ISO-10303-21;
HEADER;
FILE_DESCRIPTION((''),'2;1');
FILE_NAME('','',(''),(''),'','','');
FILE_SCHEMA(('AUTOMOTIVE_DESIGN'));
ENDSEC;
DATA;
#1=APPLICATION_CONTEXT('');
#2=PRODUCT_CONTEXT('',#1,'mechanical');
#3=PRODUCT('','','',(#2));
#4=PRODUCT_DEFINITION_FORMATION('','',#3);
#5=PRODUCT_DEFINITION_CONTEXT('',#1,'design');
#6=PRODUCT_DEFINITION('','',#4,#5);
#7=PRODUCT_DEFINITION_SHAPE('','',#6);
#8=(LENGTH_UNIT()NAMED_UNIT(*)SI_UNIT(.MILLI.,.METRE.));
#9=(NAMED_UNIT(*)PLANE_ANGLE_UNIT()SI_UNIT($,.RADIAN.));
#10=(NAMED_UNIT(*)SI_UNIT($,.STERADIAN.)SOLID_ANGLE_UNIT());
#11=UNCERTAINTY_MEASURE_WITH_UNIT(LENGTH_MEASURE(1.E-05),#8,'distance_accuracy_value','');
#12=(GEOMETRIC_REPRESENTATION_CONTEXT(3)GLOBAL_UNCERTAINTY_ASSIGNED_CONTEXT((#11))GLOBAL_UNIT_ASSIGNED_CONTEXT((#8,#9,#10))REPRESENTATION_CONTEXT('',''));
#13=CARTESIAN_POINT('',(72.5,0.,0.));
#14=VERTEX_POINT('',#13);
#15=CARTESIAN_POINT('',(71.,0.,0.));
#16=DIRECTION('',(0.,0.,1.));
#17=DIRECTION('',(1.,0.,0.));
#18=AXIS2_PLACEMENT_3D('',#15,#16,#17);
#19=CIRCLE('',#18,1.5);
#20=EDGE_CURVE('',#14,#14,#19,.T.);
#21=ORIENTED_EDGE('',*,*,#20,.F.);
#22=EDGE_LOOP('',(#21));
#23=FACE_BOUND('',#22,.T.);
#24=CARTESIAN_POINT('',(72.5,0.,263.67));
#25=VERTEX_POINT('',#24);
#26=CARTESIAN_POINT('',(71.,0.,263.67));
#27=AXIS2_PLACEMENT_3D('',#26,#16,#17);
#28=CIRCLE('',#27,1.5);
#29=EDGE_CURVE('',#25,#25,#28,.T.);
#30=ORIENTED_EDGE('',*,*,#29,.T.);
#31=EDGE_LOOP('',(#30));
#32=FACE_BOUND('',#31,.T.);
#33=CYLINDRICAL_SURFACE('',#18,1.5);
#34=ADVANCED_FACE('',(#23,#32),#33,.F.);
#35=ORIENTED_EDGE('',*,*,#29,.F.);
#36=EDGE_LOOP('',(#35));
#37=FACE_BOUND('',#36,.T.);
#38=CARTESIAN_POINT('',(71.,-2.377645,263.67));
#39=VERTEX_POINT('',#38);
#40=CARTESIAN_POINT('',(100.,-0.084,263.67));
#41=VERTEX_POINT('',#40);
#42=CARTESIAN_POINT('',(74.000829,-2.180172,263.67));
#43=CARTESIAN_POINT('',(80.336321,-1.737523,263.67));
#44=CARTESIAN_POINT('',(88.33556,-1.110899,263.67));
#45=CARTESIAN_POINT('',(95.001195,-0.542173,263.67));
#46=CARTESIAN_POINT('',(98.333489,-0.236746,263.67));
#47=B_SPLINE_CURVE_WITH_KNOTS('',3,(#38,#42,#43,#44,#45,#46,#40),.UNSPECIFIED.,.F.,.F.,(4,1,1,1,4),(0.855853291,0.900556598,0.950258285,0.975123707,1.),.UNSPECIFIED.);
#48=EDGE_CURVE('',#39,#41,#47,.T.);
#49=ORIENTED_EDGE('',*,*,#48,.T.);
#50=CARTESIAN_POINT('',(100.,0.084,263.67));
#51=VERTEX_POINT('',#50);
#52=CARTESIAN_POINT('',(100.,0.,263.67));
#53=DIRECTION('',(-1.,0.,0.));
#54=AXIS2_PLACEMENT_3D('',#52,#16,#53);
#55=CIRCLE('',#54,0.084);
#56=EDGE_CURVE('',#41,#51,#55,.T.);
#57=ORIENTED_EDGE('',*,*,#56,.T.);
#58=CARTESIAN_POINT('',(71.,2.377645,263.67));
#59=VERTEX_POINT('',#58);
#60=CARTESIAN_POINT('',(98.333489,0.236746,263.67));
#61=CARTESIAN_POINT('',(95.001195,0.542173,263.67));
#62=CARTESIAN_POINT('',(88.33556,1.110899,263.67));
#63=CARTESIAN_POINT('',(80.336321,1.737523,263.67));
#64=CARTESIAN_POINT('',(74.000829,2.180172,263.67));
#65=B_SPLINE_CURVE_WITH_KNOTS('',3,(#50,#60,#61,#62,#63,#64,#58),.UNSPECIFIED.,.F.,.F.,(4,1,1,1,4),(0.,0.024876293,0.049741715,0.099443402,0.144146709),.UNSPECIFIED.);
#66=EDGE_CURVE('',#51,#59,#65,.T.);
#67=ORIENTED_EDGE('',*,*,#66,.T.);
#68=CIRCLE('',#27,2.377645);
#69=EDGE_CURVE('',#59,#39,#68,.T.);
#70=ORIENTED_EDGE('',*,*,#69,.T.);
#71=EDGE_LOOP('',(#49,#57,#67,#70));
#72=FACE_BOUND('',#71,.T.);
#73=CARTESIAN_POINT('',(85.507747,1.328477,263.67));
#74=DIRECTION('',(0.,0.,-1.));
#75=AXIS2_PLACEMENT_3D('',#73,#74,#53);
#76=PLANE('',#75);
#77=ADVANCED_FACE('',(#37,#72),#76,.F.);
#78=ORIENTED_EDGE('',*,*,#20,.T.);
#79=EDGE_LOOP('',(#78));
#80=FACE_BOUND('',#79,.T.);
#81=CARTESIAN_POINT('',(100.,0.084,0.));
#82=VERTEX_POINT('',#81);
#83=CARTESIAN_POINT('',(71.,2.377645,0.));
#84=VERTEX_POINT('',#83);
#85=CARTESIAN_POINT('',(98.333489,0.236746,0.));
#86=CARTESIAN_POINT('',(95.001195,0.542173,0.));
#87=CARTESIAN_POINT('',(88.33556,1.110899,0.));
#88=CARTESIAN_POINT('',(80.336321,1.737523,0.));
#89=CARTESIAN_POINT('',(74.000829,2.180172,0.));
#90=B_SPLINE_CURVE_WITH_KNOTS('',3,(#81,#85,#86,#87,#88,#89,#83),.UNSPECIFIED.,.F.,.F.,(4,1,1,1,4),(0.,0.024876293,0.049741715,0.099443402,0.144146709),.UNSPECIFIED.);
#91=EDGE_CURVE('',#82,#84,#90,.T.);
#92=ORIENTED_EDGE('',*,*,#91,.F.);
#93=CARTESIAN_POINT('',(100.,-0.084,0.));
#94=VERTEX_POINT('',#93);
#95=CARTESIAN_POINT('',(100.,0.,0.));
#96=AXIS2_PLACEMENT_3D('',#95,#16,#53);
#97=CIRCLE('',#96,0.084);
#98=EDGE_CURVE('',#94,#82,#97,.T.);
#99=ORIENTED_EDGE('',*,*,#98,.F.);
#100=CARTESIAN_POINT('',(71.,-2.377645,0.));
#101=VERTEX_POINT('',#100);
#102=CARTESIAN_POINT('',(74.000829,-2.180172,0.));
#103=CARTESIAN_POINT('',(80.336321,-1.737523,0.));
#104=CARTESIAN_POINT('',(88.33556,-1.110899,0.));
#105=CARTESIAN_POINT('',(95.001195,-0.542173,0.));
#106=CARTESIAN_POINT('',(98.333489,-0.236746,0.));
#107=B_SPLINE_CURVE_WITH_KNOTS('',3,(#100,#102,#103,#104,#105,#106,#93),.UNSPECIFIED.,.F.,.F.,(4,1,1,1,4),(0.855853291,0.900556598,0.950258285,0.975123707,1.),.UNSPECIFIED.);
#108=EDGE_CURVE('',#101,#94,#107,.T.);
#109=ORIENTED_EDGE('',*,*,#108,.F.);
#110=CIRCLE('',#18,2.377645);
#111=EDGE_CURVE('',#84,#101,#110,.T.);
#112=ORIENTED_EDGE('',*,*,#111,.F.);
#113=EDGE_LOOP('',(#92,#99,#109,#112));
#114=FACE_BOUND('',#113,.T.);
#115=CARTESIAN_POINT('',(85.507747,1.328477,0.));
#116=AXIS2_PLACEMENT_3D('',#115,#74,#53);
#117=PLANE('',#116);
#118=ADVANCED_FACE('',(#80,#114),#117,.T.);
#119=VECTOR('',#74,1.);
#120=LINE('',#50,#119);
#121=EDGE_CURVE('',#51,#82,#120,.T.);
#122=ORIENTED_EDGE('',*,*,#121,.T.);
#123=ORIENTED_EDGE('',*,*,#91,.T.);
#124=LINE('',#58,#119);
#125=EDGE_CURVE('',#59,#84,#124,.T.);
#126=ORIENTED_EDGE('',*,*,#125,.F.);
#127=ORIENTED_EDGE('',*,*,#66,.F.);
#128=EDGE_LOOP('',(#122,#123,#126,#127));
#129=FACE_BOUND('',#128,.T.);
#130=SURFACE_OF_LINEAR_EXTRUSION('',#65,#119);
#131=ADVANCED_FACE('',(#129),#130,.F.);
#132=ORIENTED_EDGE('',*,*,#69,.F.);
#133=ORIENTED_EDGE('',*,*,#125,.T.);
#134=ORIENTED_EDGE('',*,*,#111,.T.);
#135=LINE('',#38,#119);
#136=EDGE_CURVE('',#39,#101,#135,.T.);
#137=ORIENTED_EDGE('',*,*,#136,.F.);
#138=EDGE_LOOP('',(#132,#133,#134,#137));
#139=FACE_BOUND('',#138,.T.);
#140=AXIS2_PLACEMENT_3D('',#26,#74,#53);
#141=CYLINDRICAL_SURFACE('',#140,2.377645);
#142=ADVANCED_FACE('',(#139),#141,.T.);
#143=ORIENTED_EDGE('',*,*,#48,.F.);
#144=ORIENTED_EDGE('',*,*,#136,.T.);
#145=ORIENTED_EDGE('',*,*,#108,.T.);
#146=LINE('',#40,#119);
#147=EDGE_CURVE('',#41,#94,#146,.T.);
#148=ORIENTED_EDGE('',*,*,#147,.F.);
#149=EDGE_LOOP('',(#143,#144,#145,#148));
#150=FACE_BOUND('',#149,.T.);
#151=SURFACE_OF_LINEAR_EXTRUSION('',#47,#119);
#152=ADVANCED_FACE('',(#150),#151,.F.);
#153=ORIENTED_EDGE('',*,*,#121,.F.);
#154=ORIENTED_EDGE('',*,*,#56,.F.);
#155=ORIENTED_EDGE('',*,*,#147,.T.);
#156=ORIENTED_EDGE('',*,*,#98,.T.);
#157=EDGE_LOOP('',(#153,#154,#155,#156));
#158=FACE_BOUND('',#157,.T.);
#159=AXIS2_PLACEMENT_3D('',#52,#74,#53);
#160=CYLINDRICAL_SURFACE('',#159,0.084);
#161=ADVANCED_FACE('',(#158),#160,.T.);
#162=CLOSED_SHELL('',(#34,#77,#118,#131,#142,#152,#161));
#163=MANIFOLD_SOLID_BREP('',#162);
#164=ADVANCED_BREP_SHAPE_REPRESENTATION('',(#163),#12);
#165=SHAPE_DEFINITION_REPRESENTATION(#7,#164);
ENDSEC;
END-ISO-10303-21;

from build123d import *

# Parameters (mm, degrees)
FOAMEQUILIBRATORE_DEPTH = 263.67
SCHIZZO2_R              = 1.5
FOROPERNO_DEPTH         = 283.036042422


with BuildPart() as part:
    # Schizzo1 → FoamEquilibratore (new body)
    with BuildSketch(Plane.XY):
        with BuildLine():
            ThreePointArc((100, 0.084), (100.083999999, -1e-09), (99.999999999, -0.084))
            add(Edge.make_bspline(
                [(70.999999999, -2.377645078), (74.000829104, -2.180171911), (80.336320928, -1.737523123), (88.33555962, -1.11089898), (95.001194724, -0.542172689), (98.333488814, -0.23674648), (99.999999999, -0.084)],
                knots=[0.855853291, 0.855853291, 0.855853291, 0.855853291, 0.900556598, 0.950258285, 0.975123707, 1, 1, 1, 1], degree=3))
            ThreePointArc((70.999999999, -2.377645078), (68.622354921, 0), (70.999999999, 2.377645078))
            add(Edge.make_bspline(
                [(100, 0.084), (98.333488815, 0.23674648), (95.001194725, 0.542172689), (88.335559621, 1.11089898), (80.336320928, 1.737523123), (74.000829105, 2.180171911), (70.999999999, 2.377645078)],
                knots=[0, 0, 0, 0, 0.024876293, 0.049741715, 0.099443402, 0.144146709, 0.144146709, 0.144146709, 0.144146709], degree=3))
        make_face()
    extrude(amount=FOAMEQUILIBRATORE_DEPTH)

    # Schizzo2 → ForoPerno (cut, through all)
    with BuildSketch(Plane.XY.offset(263.67)):
        with Locations((70.999999999, 0)):
            Circle(SCHIZZO2_R)
    extrude(amount=-FOROPERNO_DEPTH, mode=Mode.SUBTRACT)


solid = part.part
